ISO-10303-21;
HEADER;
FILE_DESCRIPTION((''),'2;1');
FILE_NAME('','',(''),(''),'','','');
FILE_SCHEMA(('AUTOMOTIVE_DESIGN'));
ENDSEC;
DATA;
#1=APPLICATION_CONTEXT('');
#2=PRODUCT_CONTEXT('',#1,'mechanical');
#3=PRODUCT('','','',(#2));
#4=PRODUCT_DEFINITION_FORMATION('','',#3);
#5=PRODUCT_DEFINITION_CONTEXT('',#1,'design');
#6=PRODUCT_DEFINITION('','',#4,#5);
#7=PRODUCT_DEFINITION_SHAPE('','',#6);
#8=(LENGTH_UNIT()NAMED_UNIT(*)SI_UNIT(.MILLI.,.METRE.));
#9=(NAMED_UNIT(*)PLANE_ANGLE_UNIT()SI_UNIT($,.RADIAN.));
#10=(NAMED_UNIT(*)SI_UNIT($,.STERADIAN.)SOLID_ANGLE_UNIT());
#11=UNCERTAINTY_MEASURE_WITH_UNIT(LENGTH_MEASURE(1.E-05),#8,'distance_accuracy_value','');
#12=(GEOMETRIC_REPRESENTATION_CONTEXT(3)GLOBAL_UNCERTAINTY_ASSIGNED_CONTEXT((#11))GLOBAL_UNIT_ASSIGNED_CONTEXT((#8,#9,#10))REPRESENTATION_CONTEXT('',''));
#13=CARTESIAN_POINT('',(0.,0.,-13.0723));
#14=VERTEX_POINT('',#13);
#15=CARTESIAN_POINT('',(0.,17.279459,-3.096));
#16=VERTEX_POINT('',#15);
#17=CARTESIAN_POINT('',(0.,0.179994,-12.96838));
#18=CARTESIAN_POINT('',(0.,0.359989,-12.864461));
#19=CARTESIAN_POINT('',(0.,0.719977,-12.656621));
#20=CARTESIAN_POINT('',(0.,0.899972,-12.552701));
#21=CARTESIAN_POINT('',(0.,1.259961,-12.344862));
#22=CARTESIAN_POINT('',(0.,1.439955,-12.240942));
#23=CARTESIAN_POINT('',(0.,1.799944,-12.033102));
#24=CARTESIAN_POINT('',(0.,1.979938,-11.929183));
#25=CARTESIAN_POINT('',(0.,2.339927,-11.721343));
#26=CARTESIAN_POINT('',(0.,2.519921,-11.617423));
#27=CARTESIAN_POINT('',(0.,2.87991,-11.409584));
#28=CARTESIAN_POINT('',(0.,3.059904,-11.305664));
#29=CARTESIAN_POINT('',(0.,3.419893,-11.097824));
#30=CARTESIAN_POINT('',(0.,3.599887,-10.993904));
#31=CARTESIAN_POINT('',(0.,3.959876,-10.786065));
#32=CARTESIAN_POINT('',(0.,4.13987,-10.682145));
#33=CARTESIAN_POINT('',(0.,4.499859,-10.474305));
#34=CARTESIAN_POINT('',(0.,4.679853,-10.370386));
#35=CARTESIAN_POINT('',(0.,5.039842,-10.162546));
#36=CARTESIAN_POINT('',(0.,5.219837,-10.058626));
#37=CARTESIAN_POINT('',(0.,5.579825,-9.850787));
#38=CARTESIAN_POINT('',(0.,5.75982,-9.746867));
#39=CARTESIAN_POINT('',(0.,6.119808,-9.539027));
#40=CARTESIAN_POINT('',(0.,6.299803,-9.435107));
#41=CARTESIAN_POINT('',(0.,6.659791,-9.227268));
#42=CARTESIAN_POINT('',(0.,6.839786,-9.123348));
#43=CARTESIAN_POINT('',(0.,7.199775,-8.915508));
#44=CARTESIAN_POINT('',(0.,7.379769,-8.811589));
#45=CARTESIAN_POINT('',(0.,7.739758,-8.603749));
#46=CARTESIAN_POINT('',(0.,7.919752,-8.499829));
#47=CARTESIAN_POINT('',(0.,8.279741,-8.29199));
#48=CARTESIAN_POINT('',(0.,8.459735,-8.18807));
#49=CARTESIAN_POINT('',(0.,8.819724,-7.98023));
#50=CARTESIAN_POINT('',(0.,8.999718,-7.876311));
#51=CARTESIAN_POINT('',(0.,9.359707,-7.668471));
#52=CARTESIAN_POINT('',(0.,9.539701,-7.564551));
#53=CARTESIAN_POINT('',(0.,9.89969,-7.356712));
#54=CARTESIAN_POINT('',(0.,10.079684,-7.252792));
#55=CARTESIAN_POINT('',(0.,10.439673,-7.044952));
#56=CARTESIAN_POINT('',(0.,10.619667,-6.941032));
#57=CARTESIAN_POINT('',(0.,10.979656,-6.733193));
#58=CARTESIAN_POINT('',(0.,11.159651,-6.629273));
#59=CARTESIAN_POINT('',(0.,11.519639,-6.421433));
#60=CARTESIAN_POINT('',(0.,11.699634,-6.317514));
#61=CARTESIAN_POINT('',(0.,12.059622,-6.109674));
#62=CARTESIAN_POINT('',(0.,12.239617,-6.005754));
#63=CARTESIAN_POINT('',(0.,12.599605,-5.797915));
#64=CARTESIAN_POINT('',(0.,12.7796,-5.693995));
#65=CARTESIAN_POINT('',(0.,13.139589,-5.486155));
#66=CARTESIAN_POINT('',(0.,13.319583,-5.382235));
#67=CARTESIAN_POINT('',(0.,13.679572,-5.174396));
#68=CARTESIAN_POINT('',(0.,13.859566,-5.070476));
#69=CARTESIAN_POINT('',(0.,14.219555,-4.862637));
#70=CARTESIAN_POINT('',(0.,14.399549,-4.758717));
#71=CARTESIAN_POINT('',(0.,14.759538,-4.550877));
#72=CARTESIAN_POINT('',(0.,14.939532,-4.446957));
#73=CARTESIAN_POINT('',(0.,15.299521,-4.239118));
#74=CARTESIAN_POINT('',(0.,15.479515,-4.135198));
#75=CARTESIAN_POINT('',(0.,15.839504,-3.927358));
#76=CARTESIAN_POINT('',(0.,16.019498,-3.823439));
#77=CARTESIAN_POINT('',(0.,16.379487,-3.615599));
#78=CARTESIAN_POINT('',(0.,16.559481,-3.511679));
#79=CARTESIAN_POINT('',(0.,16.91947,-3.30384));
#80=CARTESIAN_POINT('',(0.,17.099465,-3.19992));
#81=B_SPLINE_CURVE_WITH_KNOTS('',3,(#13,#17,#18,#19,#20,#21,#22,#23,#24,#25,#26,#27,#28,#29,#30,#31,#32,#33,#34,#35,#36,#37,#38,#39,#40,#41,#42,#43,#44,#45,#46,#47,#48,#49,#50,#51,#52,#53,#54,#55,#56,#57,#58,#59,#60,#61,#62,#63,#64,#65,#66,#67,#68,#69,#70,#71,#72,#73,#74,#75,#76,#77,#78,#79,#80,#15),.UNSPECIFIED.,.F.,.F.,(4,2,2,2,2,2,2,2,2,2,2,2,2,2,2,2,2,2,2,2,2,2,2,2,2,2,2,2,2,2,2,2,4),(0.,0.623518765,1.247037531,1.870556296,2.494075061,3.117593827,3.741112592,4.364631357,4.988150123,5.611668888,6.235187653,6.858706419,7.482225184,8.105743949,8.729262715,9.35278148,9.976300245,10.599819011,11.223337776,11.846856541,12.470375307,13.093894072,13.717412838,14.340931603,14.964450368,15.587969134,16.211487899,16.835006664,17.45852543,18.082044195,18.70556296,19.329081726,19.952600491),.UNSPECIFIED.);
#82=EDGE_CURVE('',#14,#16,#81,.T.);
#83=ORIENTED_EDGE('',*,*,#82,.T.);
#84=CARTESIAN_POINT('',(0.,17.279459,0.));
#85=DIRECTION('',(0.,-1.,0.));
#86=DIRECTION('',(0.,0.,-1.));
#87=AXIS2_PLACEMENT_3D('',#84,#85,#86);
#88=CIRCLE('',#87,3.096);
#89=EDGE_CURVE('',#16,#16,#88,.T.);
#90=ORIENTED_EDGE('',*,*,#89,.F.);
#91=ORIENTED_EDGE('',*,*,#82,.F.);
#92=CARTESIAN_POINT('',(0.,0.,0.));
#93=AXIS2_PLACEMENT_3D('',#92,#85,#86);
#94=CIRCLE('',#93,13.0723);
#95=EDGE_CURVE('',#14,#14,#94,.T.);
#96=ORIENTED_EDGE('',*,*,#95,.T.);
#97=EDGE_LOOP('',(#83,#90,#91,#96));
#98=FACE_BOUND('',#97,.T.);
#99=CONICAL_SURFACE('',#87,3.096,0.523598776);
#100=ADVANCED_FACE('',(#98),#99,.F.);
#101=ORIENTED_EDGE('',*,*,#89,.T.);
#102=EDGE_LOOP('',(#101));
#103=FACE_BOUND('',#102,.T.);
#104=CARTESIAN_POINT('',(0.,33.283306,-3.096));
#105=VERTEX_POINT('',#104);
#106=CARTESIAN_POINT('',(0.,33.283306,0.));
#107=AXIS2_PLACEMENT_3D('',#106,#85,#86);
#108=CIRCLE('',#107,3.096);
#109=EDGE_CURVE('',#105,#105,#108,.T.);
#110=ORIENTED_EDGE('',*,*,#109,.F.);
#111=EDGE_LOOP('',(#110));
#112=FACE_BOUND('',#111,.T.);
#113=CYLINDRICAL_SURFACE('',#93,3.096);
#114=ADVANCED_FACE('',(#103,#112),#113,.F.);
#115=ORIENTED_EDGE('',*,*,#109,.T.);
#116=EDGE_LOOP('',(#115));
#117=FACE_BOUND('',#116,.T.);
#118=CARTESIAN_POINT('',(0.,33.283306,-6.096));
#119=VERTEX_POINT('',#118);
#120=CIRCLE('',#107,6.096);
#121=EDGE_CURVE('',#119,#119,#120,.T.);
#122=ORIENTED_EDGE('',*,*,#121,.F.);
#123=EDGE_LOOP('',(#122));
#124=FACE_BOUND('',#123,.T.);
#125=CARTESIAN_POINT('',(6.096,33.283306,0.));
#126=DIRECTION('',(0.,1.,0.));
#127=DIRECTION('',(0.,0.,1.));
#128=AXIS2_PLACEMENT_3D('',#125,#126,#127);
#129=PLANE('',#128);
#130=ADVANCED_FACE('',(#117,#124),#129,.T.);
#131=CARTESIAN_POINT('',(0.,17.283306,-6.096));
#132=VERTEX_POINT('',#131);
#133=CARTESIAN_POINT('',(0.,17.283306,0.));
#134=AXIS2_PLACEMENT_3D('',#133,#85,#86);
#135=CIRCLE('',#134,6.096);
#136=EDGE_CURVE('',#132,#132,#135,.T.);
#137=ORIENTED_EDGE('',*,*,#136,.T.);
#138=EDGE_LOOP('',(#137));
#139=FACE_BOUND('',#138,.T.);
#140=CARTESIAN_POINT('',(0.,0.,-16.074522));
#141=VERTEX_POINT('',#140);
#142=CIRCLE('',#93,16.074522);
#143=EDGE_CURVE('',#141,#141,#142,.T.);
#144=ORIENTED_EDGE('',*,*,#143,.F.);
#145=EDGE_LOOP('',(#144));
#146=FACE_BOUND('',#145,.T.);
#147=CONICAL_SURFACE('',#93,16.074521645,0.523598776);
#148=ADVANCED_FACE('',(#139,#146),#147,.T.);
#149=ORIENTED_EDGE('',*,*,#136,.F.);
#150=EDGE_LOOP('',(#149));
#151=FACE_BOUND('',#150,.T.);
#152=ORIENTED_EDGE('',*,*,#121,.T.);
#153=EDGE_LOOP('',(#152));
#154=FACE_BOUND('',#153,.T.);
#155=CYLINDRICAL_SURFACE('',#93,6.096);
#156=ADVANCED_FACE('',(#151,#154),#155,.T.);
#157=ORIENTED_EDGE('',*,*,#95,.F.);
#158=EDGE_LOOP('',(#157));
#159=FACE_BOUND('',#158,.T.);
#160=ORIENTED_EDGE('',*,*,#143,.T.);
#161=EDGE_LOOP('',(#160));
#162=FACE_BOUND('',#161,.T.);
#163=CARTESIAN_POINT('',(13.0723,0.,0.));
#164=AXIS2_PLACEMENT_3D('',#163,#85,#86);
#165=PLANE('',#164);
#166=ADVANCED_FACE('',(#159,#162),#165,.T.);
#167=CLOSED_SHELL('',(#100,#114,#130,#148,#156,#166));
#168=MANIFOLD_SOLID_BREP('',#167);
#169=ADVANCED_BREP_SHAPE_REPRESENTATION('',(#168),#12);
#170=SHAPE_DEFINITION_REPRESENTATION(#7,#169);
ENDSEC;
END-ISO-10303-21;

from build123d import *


with BuildPart() as part:
    # Sketch2 → Revolve1 (revolve)
    with BuildSketch(Plane.XY, mode=Mode.PRIVATE) as revolve1_sk:
        Polygon((13.072300245, 0), (16.074521645, 0), (6.096, 17.283306474), (6.096, 33.283306474), (3.096, 33.283306474), (3.096, 17.279458897), align=None)
    revolve(revolve1_sk.sketch.rotate(Axis((0, 0, 0), (0, 1, 0)), 90), axis=Axis((0, 0, 0), (0, 1, 0)))


solid = part.part
